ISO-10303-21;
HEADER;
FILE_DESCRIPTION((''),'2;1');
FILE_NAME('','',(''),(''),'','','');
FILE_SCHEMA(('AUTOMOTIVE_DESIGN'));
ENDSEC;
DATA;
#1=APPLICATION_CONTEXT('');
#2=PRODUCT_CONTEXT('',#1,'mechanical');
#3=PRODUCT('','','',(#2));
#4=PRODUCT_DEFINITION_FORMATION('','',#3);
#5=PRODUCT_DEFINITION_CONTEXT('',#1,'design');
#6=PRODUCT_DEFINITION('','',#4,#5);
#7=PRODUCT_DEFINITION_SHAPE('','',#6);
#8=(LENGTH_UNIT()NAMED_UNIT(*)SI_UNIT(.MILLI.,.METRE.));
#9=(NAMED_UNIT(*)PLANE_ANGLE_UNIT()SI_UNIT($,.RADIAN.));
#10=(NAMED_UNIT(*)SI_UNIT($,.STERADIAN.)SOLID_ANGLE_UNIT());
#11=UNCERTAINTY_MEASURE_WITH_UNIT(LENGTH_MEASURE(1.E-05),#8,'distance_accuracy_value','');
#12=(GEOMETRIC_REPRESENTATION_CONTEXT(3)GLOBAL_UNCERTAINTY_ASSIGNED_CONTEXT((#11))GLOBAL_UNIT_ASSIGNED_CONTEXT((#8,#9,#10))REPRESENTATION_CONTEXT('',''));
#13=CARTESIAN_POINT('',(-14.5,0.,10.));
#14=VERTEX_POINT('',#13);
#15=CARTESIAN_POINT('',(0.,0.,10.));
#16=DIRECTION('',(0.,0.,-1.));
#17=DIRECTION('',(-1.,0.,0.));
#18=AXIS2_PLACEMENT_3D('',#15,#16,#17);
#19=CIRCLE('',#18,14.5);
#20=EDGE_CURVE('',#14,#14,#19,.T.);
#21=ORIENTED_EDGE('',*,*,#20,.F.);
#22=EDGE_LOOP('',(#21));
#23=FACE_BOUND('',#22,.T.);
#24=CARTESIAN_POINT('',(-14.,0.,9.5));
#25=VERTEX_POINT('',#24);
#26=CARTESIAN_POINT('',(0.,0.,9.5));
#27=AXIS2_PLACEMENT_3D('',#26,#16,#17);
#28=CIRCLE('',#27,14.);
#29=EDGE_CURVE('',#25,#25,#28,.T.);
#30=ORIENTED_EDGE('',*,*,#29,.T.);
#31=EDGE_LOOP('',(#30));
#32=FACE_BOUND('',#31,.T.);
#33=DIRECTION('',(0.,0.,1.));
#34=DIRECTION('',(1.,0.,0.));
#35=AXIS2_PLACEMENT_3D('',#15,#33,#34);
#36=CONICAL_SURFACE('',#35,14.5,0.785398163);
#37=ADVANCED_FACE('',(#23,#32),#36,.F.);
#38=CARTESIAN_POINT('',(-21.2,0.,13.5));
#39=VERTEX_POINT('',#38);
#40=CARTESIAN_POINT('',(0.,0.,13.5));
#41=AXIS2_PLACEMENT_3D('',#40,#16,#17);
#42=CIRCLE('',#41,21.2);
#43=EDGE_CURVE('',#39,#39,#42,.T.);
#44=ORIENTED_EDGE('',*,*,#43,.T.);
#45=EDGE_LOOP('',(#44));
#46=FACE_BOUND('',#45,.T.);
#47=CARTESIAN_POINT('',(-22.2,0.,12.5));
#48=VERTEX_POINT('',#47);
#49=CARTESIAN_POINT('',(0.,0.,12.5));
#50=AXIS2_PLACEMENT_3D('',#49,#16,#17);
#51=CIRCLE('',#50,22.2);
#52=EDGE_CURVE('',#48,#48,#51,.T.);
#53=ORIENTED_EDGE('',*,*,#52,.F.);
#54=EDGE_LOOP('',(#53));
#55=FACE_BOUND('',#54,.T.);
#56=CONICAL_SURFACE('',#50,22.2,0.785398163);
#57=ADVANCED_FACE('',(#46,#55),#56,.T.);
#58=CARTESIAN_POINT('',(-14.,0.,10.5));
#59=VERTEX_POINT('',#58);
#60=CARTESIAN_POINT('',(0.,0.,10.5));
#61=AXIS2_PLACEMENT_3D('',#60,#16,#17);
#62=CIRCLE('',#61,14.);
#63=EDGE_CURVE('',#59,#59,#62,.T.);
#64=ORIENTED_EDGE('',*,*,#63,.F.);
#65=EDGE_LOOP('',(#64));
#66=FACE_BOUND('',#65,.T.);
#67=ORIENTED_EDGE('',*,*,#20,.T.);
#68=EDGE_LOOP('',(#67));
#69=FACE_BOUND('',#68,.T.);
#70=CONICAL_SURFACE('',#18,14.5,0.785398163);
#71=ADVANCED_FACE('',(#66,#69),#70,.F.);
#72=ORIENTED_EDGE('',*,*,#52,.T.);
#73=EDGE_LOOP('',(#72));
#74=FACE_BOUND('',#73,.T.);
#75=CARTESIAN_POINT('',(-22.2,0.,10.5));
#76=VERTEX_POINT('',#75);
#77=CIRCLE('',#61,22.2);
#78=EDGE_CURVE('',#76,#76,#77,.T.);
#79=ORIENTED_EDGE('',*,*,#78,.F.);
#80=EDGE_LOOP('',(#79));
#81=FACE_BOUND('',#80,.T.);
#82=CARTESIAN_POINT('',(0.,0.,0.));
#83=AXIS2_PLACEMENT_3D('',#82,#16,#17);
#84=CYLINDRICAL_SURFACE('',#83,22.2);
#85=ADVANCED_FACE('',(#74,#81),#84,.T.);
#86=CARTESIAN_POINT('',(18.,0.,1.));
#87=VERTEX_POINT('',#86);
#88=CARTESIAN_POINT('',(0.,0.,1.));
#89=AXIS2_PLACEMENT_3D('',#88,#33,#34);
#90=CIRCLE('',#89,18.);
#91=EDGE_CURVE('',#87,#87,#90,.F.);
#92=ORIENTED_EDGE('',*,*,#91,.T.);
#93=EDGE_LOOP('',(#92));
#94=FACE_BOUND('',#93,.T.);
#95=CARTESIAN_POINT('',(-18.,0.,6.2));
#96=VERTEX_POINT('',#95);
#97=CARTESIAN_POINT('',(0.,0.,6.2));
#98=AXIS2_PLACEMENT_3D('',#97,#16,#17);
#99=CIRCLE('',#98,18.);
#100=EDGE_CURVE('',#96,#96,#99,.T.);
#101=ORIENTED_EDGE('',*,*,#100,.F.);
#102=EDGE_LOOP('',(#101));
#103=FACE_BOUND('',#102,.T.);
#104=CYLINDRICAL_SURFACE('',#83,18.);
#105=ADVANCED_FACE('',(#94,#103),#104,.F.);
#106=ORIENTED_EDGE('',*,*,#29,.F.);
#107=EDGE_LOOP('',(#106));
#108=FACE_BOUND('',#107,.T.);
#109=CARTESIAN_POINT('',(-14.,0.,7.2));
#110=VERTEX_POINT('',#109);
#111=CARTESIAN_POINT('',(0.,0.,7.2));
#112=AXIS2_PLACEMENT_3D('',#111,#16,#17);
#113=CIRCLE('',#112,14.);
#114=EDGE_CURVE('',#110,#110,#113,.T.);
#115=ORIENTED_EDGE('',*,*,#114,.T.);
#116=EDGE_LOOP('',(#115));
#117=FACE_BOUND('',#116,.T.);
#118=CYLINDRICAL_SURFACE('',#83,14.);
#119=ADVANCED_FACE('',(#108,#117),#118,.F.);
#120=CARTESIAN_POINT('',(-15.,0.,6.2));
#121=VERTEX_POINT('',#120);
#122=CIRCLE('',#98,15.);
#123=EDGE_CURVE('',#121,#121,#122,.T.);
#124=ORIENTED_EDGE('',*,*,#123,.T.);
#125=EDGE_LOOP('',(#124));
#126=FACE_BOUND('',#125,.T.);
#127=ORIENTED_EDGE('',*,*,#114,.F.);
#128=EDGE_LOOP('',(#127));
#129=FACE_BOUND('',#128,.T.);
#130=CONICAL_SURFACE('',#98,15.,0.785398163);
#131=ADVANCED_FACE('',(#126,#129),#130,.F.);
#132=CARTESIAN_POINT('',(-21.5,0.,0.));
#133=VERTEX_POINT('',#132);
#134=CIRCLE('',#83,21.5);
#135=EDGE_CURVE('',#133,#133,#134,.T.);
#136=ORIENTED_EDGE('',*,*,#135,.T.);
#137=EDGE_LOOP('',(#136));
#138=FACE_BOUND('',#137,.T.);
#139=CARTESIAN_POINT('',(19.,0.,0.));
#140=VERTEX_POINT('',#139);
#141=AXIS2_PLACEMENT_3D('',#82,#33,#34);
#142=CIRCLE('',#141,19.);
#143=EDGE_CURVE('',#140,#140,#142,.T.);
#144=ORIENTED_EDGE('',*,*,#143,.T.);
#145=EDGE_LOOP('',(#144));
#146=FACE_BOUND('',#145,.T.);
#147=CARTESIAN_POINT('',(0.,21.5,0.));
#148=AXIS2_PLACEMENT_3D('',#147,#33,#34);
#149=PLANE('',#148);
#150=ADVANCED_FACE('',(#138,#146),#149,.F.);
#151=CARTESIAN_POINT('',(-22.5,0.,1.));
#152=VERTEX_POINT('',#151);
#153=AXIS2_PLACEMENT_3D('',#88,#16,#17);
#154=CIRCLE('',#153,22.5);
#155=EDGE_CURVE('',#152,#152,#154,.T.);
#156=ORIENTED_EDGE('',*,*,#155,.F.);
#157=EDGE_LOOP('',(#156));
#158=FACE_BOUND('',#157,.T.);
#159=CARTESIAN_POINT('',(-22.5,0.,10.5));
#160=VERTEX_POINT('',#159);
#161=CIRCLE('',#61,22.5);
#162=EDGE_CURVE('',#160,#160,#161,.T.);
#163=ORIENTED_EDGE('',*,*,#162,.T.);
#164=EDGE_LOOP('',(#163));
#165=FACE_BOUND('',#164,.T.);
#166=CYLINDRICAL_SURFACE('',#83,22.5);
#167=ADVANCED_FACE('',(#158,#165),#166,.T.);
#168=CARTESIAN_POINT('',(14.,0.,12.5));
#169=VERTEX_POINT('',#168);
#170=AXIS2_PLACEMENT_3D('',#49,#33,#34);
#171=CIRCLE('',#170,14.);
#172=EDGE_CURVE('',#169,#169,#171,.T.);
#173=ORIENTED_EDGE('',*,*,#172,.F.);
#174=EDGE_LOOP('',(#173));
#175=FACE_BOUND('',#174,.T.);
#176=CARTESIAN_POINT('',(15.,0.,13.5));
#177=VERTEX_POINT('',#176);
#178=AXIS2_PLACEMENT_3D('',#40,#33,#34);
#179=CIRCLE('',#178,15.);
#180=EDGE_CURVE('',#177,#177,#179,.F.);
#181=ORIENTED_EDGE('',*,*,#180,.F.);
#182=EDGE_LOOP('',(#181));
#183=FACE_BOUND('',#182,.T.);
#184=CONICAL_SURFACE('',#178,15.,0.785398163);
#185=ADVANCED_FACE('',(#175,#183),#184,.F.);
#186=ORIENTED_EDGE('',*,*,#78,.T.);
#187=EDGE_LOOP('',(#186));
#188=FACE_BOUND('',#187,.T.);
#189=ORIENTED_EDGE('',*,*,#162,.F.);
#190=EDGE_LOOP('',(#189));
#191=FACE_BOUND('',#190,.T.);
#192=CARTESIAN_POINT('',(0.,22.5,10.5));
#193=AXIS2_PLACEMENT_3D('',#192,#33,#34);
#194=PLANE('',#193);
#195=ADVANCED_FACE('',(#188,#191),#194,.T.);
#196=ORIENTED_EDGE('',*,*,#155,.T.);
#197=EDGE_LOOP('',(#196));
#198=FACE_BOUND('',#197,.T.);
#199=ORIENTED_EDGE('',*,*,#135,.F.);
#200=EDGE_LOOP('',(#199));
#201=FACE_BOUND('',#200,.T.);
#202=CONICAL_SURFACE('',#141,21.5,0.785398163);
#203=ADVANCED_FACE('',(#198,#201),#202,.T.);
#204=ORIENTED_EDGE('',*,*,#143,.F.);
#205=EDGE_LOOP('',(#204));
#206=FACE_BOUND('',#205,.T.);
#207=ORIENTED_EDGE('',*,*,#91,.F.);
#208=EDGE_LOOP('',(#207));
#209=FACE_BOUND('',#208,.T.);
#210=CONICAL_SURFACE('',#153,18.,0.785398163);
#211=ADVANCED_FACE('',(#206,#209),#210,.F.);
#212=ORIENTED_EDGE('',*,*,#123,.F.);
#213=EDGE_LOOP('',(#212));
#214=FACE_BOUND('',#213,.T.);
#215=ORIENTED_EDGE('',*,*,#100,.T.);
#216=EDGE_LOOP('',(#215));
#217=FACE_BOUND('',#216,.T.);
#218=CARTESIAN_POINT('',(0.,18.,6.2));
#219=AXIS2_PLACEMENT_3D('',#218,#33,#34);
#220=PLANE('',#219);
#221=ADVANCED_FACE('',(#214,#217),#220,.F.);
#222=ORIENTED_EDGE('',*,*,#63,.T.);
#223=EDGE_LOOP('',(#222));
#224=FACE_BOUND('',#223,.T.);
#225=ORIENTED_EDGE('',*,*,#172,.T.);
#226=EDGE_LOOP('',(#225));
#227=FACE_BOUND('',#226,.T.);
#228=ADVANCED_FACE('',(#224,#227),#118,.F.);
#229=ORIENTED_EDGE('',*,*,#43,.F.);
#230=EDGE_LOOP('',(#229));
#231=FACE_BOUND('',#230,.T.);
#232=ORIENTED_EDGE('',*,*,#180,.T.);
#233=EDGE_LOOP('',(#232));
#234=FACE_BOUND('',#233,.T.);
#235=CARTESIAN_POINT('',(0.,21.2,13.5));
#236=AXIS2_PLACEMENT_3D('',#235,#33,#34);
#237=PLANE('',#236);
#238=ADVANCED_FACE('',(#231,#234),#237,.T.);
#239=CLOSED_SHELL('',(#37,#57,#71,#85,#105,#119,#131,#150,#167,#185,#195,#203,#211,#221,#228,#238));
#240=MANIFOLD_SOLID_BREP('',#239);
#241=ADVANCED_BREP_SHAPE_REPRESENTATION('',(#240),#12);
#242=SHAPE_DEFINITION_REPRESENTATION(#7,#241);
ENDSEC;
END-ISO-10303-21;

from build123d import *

# Parameters (mm, degrees)
CHAMFER1_SIZE = 1


with BuildPart() as part:
    # Sketch1 → Revolve1 (revolve)
    with BuildSketch(Plane(origin=(0, 0, 0), x_dir=(0, 0, -1), z_dir=(1, 0, 0)), mode=Mode.PRIVATE) as revolve1_sk:
        Polygon((0, 0), (-13.5, 0), (-13.5, 21.2), (-12.5, 22.2), (-10.5, 22.2), (-10.5, 22.5), (-1, 22.5), (0, 21.5), align=None)
    revolve(revolve1_sk.sketch.rotate(Axis((0, 0, 0), (0, 0, 1)), 90), axis=Axis((0, 0, 0), (0, 0, 1)))

    # Sketch2 → Cut-Revolve1 (revolve, cut)
    with BuildSketch(Plane(origin=(0, 0, 0), x_dir=(0, 0, -1), z_dir=(1, 0, 0)), mode=Mode.PRIVATE) as cut_revolve1_sk:
        Polygon((0, 0), (-13.5, 0), (-13.5, 14), (-10.5, 14), (-10, 14.5), (-9.5, 14), (-7.2, 14), (-6.2, 15), (-6.2, 18), (0, 18), align=None)
    revolve(cut_revolve1_sk.sketch.rotate(Axis((0, 0, 0), (0, 0, 1)), 90), axis=Axis((0, 0, 0), (0, 0, 1)), mode=Mode.SUBTRACT)

    # Chamfer1
    chamfer1_edges = [part.edges().sort_by_distance(p)[0] for p in [
        (18, 0, 0),
        (14, 0, 13.5),
    ]]
    chamfer(chamfer1_edges, length=CHAMFER1_SIZE)


solid = part.part
